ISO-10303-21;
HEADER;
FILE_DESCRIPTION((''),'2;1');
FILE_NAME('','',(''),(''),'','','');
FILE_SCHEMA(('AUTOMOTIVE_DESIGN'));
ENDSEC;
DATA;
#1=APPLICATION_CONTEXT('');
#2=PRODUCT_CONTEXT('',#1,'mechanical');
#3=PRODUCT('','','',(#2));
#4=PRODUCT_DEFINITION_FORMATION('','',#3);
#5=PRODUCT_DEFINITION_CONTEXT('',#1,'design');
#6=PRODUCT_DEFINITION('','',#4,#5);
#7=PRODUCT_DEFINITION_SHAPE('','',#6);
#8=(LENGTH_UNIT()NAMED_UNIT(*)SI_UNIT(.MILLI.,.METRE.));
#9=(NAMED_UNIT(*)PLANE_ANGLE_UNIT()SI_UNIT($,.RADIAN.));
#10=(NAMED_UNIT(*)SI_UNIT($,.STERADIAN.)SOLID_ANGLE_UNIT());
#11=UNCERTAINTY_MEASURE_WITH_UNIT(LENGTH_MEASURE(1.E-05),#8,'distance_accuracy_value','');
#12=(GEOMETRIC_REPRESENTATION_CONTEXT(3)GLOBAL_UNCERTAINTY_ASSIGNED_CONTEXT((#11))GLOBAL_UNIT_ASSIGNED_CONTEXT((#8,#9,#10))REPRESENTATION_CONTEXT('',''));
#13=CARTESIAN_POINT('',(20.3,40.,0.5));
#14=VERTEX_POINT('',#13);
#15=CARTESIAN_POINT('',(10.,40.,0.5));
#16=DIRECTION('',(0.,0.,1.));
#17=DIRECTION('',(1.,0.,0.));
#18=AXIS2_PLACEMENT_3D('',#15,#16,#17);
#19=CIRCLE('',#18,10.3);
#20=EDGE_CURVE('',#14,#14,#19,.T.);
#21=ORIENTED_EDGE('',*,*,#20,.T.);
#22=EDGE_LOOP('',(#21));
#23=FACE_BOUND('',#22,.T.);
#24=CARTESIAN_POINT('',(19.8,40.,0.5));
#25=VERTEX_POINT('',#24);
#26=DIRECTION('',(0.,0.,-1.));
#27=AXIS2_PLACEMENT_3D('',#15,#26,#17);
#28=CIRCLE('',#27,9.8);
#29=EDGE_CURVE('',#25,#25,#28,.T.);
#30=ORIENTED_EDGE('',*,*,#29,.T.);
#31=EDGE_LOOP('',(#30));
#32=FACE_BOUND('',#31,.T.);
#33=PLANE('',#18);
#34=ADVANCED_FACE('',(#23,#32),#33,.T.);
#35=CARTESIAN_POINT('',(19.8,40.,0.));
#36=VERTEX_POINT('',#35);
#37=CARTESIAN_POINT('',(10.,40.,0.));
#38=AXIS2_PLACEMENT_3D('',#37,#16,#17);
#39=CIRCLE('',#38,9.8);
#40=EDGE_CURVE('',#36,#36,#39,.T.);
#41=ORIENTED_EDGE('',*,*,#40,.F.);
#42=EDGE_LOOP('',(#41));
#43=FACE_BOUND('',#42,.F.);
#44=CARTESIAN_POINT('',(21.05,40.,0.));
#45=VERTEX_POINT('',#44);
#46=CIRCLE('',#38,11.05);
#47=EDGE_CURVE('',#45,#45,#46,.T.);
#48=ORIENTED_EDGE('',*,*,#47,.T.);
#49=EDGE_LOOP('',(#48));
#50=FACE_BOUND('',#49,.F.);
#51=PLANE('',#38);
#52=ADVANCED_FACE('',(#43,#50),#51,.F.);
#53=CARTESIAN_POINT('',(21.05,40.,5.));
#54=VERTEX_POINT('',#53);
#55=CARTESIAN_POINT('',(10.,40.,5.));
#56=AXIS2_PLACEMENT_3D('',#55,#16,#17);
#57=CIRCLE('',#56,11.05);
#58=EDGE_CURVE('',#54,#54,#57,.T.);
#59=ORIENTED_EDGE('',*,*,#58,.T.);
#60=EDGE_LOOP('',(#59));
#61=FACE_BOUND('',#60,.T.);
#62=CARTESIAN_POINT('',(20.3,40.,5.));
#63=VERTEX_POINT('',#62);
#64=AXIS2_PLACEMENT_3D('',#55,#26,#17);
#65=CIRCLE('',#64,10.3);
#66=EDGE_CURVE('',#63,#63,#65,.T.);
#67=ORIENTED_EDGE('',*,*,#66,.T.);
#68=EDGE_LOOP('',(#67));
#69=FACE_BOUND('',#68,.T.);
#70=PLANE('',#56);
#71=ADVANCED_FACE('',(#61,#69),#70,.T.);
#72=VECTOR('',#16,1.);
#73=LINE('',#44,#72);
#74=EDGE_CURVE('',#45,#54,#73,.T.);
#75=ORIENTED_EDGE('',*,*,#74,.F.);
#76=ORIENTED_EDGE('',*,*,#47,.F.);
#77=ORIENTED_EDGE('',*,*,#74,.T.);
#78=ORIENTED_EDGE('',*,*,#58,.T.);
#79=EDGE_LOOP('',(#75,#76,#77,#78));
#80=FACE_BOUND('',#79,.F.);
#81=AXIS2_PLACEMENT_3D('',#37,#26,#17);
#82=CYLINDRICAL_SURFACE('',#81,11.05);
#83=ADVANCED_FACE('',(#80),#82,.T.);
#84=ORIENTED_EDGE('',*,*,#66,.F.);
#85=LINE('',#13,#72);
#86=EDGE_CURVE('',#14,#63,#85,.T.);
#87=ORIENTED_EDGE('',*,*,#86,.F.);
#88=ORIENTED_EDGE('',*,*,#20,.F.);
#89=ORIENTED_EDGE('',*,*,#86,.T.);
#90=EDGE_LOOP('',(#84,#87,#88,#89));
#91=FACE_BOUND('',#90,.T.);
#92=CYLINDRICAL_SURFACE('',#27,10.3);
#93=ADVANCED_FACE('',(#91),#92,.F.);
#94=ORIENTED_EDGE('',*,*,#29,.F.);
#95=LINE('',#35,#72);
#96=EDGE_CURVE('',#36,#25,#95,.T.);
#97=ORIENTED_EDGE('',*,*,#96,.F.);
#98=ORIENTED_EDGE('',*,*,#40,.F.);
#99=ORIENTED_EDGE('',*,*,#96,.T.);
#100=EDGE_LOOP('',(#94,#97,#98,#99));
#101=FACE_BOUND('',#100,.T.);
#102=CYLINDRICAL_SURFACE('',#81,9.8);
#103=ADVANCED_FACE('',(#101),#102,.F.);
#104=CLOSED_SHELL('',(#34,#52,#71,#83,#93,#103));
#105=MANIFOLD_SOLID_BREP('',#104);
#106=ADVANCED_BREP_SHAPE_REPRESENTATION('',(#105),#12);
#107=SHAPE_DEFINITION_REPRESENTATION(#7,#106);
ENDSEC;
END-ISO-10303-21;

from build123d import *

# Parameters (mm, degrees)
CYLINDER014_R     = 9.8
CYLINDER014_DEPTH = 10
CYLINDER013_R     = 10.3
CYLINDER013_DEPTH = 10
CYLINDER012_R     = 11.05
CYLINDER012_DEPTH = 5


with BuildPart() as redtmp04:
    # Cylinder014 → Cylinder014 (new body)
    with BuildSketch(Plane.XY):
        Circle(CYLINDER014_R)
    extrude(amount=CYLINDER014_DEPTH)


with BuildPart() as redtmp02:
    # Cylinder013 → Cylinder013 (new body)
    with BuildSketch(Plane.XY.offset(0.5)):
        Circle(CYLINDER013_R)
    extrude(amount=CYLINDER013_DEPTH)


with BuildPart() as redbase:
    # Cylinder012 → Cylinder012 (new body)
    with BuildSketch(Plane.XY):
        Circle(CYLINDER012_R)
    extrude(amount=CYLINDER012_DEPTH)

    # Cut008: cut RedTmp02
    add(redtmp02.part, mode=Mode.SUBTRACT)

    # Cut009: cut RedTmp04
    add(redtmp04.part, mode=Mode.SUBTRACT)


with BuildPart() as redbase_1:
    # Cut009 placement: moved
    add(redbase.part.moved(Location((10, 40, 0))))


solid = redbase_1.part
